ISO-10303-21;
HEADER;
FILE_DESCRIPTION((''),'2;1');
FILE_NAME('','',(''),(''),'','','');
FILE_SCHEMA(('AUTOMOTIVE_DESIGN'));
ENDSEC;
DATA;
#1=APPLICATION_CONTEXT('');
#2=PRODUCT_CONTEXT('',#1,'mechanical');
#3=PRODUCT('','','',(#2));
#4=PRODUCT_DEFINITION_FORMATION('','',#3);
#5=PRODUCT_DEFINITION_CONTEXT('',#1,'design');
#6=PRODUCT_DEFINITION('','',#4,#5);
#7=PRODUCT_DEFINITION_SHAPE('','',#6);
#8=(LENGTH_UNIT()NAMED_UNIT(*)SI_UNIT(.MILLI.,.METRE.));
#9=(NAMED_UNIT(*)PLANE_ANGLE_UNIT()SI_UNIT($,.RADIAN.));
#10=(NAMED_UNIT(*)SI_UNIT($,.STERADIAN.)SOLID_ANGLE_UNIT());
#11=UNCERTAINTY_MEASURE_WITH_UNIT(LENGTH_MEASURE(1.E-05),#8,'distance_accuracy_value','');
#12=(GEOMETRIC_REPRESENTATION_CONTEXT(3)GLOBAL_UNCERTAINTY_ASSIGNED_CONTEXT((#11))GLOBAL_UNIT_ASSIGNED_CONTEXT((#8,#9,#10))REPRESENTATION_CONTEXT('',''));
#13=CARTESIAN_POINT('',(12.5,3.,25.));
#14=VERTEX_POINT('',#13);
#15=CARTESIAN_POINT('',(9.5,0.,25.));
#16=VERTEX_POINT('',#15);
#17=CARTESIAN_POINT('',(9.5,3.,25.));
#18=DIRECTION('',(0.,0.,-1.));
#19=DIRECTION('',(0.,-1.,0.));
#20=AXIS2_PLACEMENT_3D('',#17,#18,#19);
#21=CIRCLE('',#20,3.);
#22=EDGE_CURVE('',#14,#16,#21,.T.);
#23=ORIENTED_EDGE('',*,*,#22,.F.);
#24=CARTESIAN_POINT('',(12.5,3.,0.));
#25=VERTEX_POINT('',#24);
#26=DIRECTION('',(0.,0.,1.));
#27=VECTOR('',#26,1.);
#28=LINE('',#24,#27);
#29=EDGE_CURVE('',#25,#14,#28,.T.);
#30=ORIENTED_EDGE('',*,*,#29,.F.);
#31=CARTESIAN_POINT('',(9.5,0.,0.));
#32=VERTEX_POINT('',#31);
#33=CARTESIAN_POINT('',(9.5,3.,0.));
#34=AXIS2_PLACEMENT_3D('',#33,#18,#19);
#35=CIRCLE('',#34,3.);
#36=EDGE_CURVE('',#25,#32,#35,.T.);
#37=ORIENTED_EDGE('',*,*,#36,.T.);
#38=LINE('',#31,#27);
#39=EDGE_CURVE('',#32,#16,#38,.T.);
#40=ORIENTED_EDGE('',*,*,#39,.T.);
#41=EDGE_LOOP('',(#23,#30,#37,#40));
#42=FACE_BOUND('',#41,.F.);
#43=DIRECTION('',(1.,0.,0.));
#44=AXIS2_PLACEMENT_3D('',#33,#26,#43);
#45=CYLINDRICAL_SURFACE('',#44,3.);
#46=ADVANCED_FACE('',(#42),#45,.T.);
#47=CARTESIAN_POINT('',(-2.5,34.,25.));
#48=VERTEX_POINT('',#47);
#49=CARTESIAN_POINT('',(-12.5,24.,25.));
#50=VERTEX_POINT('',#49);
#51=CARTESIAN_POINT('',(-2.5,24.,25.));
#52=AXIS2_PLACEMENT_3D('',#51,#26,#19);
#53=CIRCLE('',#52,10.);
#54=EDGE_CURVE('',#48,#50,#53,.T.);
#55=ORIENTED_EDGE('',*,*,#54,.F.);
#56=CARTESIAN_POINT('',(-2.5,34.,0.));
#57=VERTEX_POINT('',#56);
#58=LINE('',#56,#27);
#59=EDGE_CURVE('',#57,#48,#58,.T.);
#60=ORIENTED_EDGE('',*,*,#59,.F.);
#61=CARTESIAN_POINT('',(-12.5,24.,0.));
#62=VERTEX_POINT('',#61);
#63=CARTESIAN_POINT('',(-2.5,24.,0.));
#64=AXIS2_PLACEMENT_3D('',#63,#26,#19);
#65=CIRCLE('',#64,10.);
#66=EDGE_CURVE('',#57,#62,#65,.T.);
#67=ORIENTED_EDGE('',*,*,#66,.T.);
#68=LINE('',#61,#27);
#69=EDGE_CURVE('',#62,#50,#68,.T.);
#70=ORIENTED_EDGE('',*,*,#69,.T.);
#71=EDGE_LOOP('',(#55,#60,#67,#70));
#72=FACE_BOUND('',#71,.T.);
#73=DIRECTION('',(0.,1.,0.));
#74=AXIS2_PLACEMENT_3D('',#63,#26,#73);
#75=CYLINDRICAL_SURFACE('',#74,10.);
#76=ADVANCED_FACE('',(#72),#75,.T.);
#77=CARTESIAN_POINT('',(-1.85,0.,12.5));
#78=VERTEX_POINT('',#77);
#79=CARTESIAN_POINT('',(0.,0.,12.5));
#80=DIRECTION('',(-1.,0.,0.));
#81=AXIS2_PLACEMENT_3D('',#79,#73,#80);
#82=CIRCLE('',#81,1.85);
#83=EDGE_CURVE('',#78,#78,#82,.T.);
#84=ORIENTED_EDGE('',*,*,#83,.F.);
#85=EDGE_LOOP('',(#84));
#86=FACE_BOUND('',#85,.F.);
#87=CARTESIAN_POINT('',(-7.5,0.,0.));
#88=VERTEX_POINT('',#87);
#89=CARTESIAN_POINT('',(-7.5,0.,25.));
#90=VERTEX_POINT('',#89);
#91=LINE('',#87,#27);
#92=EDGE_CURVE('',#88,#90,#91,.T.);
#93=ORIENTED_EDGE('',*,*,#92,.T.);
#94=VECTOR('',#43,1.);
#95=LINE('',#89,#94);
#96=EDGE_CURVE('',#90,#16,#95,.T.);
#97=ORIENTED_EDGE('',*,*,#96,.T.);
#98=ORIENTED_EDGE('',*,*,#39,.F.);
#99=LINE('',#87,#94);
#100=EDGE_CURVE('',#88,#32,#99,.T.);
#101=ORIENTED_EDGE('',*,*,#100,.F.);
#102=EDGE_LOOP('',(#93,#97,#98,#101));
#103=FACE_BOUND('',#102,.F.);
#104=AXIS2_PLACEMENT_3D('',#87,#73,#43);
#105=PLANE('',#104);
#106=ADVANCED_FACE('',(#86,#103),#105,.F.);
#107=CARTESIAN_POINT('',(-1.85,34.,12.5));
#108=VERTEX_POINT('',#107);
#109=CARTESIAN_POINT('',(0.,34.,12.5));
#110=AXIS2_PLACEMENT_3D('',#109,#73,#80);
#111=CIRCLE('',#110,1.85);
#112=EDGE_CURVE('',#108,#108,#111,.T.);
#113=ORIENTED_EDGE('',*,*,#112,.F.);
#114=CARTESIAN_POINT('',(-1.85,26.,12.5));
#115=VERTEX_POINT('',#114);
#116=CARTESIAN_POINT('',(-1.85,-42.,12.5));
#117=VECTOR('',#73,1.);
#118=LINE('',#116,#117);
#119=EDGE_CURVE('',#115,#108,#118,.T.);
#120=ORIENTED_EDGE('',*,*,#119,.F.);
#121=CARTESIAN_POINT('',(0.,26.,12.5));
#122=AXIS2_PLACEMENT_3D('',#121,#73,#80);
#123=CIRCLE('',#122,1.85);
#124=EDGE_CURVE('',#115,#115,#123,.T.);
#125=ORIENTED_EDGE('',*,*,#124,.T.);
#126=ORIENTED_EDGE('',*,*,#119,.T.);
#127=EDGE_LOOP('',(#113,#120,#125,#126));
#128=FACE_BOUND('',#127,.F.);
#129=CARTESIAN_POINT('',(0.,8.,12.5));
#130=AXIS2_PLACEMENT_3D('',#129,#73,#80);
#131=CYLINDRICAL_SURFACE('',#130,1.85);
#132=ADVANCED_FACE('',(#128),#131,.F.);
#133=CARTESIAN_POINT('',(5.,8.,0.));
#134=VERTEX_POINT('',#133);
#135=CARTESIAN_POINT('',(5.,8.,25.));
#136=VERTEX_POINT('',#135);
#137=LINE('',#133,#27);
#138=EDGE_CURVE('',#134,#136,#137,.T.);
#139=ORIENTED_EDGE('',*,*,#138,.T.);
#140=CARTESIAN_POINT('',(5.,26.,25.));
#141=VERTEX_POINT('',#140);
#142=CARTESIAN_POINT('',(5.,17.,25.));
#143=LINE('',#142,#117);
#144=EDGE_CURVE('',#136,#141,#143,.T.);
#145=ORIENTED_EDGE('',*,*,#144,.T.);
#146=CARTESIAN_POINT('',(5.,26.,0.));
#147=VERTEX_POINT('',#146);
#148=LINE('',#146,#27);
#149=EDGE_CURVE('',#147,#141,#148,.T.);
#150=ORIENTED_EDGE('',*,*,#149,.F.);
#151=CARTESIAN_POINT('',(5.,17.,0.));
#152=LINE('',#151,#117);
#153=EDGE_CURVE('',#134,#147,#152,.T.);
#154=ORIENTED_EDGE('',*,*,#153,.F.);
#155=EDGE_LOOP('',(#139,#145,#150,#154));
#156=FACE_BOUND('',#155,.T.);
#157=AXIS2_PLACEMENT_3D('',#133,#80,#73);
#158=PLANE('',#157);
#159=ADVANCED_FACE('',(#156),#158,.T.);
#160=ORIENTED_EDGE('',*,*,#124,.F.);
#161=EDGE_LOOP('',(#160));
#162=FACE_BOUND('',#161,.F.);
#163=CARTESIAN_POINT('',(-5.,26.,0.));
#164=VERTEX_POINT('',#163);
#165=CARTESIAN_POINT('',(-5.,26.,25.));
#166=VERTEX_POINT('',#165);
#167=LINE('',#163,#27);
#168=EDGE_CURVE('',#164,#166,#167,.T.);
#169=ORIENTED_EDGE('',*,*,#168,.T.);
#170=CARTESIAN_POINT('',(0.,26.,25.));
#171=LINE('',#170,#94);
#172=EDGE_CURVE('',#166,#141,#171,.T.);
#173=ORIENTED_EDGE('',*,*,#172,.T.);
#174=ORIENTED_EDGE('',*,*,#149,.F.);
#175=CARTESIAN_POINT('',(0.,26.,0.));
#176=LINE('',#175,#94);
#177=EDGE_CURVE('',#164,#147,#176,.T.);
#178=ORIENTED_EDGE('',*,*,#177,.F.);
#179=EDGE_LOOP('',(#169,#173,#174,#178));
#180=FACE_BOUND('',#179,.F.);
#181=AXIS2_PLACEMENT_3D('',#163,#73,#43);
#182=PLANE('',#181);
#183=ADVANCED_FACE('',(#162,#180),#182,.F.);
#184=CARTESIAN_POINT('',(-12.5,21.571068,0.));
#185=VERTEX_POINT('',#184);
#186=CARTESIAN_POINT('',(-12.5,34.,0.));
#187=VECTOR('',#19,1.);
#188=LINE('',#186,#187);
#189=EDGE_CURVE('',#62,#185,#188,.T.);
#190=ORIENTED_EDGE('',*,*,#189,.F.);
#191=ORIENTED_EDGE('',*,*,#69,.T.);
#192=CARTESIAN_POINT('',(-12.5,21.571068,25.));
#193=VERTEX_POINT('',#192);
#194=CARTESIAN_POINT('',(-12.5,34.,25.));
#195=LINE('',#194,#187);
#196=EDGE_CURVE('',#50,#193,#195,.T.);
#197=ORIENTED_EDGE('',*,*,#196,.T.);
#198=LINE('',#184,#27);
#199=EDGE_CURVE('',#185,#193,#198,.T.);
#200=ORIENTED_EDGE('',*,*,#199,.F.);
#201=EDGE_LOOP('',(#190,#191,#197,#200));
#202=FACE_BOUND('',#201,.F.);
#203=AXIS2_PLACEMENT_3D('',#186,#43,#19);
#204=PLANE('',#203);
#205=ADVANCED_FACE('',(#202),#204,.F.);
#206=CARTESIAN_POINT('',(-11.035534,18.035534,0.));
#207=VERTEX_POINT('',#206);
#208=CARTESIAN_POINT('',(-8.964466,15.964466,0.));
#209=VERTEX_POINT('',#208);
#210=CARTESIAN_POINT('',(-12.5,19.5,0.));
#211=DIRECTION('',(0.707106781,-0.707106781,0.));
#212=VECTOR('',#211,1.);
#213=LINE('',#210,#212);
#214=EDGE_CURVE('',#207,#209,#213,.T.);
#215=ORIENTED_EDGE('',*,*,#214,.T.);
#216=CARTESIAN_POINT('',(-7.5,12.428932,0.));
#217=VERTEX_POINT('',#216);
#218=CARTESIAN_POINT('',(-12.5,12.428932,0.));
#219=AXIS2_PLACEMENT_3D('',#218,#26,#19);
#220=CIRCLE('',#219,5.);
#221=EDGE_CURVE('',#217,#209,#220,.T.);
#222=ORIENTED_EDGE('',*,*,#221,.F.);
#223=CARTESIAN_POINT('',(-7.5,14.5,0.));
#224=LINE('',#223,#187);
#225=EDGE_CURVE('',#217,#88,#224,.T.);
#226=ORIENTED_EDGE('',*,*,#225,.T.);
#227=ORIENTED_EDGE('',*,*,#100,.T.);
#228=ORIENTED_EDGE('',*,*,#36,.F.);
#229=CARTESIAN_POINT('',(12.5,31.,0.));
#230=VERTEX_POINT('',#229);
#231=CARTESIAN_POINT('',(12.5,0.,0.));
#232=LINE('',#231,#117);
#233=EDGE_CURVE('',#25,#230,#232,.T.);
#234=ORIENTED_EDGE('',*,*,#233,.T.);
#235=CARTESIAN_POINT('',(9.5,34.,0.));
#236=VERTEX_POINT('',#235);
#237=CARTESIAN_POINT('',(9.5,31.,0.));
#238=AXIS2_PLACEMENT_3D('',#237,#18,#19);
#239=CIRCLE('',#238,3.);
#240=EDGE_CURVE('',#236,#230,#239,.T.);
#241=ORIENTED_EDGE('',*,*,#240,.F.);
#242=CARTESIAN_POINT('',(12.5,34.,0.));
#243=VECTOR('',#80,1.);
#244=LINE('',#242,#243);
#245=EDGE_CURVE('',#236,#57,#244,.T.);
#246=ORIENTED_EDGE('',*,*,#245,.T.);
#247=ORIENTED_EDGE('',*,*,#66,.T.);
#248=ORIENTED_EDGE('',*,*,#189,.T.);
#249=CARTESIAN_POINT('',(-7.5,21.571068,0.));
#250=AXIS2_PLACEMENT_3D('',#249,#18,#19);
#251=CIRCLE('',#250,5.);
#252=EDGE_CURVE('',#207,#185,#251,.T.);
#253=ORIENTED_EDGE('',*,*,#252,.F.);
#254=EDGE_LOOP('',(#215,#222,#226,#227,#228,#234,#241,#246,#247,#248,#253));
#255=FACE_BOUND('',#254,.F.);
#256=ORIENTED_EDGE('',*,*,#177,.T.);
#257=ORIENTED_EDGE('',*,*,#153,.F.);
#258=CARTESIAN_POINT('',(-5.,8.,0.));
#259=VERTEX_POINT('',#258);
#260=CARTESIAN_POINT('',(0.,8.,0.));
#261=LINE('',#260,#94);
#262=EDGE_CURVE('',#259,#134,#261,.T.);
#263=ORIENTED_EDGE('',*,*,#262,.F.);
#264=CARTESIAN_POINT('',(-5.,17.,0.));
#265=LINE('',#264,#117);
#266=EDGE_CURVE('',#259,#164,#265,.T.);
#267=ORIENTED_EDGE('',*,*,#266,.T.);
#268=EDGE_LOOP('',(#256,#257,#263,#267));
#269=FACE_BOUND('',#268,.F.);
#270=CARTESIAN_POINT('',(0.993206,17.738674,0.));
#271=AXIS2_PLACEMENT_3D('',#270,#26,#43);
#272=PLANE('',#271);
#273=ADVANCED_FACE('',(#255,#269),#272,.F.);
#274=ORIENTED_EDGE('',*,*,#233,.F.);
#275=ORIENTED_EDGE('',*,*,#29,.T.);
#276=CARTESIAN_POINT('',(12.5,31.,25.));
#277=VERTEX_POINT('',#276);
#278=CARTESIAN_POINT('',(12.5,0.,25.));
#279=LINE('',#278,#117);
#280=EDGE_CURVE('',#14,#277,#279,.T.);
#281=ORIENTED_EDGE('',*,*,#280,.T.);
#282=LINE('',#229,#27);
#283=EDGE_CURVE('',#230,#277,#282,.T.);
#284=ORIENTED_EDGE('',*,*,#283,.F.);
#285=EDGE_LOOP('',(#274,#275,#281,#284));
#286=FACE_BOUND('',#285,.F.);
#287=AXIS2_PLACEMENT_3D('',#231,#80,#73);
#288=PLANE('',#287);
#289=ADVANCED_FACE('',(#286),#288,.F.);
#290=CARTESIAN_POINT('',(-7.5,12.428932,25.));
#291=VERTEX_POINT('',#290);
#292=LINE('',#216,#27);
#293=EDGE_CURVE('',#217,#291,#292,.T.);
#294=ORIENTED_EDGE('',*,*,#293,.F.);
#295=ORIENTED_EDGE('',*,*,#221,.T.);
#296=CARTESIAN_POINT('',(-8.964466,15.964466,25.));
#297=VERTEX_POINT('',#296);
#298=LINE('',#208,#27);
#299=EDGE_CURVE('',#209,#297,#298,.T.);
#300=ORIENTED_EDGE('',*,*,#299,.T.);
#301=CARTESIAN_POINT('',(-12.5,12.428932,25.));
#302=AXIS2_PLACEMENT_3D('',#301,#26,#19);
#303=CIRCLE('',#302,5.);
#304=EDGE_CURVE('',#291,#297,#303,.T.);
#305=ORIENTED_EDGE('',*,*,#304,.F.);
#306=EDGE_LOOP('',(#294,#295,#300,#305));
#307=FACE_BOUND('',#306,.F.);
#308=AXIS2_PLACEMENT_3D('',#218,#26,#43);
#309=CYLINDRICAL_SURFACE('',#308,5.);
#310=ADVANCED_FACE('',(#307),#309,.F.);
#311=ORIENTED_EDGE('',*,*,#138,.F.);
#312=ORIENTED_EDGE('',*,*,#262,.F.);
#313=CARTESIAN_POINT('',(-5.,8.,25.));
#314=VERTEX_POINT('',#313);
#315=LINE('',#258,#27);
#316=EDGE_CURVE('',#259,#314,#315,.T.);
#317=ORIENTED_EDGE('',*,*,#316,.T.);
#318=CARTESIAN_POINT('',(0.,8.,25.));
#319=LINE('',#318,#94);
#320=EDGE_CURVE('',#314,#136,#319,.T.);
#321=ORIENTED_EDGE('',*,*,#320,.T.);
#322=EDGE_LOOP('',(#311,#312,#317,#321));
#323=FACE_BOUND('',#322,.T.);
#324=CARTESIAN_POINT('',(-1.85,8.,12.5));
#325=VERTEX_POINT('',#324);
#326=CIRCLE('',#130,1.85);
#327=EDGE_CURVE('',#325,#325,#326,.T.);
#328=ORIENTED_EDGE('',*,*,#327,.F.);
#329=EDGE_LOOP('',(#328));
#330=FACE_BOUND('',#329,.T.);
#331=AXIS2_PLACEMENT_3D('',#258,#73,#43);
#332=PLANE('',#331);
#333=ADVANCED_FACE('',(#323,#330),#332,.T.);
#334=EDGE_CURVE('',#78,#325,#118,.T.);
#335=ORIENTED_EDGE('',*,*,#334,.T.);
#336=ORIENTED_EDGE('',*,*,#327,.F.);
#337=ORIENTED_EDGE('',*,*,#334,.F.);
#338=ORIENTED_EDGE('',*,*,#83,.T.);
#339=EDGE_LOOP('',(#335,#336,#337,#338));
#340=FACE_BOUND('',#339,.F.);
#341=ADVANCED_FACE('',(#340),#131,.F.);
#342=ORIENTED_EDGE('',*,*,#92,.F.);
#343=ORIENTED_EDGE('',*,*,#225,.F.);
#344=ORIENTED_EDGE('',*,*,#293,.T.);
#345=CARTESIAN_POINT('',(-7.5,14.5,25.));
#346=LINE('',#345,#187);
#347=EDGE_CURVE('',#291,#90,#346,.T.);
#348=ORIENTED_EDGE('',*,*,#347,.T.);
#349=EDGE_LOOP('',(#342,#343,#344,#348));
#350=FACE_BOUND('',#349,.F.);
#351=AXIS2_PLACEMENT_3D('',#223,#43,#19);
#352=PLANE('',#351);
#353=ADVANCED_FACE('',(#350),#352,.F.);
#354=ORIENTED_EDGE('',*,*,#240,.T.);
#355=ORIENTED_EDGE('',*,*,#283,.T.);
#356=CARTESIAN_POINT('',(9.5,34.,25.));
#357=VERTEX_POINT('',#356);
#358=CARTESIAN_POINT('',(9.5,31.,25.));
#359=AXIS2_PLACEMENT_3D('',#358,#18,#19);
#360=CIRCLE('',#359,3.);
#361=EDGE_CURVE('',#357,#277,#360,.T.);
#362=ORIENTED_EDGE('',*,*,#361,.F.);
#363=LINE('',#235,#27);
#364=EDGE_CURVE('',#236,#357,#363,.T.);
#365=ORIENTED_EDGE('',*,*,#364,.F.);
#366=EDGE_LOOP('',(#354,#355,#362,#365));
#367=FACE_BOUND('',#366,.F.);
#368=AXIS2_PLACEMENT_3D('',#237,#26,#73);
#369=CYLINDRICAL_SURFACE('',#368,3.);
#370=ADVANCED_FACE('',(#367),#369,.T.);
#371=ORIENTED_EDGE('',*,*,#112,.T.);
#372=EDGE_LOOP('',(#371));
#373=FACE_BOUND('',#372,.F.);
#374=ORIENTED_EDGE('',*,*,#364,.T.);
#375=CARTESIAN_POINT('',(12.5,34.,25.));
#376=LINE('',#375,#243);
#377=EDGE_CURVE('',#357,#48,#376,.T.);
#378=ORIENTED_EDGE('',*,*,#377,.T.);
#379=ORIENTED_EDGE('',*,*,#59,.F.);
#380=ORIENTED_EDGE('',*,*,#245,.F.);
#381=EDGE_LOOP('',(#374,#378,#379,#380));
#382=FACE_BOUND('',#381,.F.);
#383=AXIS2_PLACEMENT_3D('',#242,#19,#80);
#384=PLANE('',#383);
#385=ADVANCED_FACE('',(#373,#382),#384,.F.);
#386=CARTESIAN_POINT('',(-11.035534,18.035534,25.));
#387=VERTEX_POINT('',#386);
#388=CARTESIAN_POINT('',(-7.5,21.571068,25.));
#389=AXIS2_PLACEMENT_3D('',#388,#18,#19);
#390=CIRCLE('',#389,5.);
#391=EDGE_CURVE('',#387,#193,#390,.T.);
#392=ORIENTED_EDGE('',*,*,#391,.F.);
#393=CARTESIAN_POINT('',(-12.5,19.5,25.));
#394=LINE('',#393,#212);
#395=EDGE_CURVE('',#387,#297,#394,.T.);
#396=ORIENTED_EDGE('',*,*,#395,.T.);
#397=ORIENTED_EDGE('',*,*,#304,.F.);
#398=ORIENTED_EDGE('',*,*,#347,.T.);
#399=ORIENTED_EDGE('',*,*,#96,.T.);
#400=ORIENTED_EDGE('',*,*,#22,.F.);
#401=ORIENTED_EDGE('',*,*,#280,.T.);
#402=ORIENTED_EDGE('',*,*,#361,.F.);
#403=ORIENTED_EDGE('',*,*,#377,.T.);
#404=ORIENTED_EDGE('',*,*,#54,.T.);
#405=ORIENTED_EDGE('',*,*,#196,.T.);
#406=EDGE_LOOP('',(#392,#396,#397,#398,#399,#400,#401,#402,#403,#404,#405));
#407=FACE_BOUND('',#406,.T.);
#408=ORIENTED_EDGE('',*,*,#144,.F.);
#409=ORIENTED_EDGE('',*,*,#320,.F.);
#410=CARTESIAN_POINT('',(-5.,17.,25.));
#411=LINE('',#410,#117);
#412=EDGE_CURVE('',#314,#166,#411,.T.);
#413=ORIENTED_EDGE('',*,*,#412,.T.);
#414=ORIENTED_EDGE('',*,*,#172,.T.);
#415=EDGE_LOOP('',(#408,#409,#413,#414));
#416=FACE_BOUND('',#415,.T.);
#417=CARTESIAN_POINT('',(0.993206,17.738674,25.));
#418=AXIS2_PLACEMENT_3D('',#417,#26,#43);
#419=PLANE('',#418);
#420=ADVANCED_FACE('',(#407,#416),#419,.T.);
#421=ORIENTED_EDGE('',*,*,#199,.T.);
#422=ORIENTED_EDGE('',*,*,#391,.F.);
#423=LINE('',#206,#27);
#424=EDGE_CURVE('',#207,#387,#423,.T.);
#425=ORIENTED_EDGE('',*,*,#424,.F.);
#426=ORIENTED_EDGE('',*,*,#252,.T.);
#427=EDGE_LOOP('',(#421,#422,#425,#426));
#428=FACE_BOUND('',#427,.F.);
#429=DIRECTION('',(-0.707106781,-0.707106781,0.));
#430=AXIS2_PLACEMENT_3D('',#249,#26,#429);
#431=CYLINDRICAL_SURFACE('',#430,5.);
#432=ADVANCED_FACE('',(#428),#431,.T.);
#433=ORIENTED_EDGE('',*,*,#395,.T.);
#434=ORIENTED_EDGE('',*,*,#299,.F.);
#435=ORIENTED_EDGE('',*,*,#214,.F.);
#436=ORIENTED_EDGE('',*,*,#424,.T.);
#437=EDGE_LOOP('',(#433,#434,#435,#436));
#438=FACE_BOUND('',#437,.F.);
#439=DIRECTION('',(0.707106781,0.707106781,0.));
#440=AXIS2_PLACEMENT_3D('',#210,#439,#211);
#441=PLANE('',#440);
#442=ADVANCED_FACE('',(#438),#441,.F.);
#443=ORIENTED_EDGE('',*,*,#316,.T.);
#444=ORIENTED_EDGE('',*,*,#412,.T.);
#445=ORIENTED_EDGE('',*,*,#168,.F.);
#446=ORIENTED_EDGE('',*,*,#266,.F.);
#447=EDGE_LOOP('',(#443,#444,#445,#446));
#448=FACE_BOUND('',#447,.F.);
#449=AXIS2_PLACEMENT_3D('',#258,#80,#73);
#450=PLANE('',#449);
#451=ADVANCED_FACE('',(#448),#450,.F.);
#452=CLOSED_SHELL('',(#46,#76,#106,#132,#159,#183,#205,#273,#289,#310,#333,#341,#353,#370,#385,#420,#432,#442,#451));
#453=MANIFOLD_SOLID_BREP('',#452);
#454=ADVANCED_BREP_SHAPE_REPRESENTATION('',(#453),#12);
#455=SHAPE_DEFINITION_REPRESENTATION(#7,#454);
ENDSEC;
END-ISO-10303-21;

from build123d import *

# Parameters (mm, degrees)
F0_W     = 10
F0_H     = 18
F1_DEPTH = 25
F2_R     = 5
F3_R     = 1.85
F4_DEPTH = 50
F5_R     = 10
F6_R     = 3


with BuildPart() as f1:
    # F0 (on Top) → F1 (new body)
    with BuildSketch(Plane.XY):
        Polygon((-7.5, 0), (0, 0), (7.5, 0), (12.5, 0), (12.5, 19.5), (12.5, 34), (0, 34), (-12.5, 34), (-12.5, 19.5), (-7.5, 14.5), align=None)
        with Locations((0, 17)):
            Rectangle(F0_W, F0_H, mode=Mode.SUBTRACT)
    extrude(amount=F1_DEPTH)

    # F2
    f2_edges = [f1.edges().sort_by_distance(p)[0] for p in [
        (-12.5, 19.5, 12.5),
        (-7.5, 14.5, 12.5),
    ]]
    fillet(f2_edges, radius=F2_R)

    # F3 (on face) → F4 (cut, symmetric)
    with BuildSketch(Plane(origin=(0, 8, 0), x_dir=(-1, 0, 0), z_dir=(0, 1, 0))):
        with Locations((0, 12.5)):
            Circle(F3_R)
    extrude(amount=F4_DEPTH, both=True, mode=Mode.SUBTRACT)

    # F5
    f5_edges = [f1.edges().sort_by_distance(p)[0] for p in [
        (-12.5, 34, 12.5),
    ]]
    fillet(f5_edges, radius=F5_R)

    # F6
    f6_edges = [f1.edges().sort_by_distance(p)[0] for p in [
        (12.5, 34, 12.5),
        (12.5, 0, 12.5),
    ]]
    fillet(f6_edges, radius=F6_R)


solid = f1.part
